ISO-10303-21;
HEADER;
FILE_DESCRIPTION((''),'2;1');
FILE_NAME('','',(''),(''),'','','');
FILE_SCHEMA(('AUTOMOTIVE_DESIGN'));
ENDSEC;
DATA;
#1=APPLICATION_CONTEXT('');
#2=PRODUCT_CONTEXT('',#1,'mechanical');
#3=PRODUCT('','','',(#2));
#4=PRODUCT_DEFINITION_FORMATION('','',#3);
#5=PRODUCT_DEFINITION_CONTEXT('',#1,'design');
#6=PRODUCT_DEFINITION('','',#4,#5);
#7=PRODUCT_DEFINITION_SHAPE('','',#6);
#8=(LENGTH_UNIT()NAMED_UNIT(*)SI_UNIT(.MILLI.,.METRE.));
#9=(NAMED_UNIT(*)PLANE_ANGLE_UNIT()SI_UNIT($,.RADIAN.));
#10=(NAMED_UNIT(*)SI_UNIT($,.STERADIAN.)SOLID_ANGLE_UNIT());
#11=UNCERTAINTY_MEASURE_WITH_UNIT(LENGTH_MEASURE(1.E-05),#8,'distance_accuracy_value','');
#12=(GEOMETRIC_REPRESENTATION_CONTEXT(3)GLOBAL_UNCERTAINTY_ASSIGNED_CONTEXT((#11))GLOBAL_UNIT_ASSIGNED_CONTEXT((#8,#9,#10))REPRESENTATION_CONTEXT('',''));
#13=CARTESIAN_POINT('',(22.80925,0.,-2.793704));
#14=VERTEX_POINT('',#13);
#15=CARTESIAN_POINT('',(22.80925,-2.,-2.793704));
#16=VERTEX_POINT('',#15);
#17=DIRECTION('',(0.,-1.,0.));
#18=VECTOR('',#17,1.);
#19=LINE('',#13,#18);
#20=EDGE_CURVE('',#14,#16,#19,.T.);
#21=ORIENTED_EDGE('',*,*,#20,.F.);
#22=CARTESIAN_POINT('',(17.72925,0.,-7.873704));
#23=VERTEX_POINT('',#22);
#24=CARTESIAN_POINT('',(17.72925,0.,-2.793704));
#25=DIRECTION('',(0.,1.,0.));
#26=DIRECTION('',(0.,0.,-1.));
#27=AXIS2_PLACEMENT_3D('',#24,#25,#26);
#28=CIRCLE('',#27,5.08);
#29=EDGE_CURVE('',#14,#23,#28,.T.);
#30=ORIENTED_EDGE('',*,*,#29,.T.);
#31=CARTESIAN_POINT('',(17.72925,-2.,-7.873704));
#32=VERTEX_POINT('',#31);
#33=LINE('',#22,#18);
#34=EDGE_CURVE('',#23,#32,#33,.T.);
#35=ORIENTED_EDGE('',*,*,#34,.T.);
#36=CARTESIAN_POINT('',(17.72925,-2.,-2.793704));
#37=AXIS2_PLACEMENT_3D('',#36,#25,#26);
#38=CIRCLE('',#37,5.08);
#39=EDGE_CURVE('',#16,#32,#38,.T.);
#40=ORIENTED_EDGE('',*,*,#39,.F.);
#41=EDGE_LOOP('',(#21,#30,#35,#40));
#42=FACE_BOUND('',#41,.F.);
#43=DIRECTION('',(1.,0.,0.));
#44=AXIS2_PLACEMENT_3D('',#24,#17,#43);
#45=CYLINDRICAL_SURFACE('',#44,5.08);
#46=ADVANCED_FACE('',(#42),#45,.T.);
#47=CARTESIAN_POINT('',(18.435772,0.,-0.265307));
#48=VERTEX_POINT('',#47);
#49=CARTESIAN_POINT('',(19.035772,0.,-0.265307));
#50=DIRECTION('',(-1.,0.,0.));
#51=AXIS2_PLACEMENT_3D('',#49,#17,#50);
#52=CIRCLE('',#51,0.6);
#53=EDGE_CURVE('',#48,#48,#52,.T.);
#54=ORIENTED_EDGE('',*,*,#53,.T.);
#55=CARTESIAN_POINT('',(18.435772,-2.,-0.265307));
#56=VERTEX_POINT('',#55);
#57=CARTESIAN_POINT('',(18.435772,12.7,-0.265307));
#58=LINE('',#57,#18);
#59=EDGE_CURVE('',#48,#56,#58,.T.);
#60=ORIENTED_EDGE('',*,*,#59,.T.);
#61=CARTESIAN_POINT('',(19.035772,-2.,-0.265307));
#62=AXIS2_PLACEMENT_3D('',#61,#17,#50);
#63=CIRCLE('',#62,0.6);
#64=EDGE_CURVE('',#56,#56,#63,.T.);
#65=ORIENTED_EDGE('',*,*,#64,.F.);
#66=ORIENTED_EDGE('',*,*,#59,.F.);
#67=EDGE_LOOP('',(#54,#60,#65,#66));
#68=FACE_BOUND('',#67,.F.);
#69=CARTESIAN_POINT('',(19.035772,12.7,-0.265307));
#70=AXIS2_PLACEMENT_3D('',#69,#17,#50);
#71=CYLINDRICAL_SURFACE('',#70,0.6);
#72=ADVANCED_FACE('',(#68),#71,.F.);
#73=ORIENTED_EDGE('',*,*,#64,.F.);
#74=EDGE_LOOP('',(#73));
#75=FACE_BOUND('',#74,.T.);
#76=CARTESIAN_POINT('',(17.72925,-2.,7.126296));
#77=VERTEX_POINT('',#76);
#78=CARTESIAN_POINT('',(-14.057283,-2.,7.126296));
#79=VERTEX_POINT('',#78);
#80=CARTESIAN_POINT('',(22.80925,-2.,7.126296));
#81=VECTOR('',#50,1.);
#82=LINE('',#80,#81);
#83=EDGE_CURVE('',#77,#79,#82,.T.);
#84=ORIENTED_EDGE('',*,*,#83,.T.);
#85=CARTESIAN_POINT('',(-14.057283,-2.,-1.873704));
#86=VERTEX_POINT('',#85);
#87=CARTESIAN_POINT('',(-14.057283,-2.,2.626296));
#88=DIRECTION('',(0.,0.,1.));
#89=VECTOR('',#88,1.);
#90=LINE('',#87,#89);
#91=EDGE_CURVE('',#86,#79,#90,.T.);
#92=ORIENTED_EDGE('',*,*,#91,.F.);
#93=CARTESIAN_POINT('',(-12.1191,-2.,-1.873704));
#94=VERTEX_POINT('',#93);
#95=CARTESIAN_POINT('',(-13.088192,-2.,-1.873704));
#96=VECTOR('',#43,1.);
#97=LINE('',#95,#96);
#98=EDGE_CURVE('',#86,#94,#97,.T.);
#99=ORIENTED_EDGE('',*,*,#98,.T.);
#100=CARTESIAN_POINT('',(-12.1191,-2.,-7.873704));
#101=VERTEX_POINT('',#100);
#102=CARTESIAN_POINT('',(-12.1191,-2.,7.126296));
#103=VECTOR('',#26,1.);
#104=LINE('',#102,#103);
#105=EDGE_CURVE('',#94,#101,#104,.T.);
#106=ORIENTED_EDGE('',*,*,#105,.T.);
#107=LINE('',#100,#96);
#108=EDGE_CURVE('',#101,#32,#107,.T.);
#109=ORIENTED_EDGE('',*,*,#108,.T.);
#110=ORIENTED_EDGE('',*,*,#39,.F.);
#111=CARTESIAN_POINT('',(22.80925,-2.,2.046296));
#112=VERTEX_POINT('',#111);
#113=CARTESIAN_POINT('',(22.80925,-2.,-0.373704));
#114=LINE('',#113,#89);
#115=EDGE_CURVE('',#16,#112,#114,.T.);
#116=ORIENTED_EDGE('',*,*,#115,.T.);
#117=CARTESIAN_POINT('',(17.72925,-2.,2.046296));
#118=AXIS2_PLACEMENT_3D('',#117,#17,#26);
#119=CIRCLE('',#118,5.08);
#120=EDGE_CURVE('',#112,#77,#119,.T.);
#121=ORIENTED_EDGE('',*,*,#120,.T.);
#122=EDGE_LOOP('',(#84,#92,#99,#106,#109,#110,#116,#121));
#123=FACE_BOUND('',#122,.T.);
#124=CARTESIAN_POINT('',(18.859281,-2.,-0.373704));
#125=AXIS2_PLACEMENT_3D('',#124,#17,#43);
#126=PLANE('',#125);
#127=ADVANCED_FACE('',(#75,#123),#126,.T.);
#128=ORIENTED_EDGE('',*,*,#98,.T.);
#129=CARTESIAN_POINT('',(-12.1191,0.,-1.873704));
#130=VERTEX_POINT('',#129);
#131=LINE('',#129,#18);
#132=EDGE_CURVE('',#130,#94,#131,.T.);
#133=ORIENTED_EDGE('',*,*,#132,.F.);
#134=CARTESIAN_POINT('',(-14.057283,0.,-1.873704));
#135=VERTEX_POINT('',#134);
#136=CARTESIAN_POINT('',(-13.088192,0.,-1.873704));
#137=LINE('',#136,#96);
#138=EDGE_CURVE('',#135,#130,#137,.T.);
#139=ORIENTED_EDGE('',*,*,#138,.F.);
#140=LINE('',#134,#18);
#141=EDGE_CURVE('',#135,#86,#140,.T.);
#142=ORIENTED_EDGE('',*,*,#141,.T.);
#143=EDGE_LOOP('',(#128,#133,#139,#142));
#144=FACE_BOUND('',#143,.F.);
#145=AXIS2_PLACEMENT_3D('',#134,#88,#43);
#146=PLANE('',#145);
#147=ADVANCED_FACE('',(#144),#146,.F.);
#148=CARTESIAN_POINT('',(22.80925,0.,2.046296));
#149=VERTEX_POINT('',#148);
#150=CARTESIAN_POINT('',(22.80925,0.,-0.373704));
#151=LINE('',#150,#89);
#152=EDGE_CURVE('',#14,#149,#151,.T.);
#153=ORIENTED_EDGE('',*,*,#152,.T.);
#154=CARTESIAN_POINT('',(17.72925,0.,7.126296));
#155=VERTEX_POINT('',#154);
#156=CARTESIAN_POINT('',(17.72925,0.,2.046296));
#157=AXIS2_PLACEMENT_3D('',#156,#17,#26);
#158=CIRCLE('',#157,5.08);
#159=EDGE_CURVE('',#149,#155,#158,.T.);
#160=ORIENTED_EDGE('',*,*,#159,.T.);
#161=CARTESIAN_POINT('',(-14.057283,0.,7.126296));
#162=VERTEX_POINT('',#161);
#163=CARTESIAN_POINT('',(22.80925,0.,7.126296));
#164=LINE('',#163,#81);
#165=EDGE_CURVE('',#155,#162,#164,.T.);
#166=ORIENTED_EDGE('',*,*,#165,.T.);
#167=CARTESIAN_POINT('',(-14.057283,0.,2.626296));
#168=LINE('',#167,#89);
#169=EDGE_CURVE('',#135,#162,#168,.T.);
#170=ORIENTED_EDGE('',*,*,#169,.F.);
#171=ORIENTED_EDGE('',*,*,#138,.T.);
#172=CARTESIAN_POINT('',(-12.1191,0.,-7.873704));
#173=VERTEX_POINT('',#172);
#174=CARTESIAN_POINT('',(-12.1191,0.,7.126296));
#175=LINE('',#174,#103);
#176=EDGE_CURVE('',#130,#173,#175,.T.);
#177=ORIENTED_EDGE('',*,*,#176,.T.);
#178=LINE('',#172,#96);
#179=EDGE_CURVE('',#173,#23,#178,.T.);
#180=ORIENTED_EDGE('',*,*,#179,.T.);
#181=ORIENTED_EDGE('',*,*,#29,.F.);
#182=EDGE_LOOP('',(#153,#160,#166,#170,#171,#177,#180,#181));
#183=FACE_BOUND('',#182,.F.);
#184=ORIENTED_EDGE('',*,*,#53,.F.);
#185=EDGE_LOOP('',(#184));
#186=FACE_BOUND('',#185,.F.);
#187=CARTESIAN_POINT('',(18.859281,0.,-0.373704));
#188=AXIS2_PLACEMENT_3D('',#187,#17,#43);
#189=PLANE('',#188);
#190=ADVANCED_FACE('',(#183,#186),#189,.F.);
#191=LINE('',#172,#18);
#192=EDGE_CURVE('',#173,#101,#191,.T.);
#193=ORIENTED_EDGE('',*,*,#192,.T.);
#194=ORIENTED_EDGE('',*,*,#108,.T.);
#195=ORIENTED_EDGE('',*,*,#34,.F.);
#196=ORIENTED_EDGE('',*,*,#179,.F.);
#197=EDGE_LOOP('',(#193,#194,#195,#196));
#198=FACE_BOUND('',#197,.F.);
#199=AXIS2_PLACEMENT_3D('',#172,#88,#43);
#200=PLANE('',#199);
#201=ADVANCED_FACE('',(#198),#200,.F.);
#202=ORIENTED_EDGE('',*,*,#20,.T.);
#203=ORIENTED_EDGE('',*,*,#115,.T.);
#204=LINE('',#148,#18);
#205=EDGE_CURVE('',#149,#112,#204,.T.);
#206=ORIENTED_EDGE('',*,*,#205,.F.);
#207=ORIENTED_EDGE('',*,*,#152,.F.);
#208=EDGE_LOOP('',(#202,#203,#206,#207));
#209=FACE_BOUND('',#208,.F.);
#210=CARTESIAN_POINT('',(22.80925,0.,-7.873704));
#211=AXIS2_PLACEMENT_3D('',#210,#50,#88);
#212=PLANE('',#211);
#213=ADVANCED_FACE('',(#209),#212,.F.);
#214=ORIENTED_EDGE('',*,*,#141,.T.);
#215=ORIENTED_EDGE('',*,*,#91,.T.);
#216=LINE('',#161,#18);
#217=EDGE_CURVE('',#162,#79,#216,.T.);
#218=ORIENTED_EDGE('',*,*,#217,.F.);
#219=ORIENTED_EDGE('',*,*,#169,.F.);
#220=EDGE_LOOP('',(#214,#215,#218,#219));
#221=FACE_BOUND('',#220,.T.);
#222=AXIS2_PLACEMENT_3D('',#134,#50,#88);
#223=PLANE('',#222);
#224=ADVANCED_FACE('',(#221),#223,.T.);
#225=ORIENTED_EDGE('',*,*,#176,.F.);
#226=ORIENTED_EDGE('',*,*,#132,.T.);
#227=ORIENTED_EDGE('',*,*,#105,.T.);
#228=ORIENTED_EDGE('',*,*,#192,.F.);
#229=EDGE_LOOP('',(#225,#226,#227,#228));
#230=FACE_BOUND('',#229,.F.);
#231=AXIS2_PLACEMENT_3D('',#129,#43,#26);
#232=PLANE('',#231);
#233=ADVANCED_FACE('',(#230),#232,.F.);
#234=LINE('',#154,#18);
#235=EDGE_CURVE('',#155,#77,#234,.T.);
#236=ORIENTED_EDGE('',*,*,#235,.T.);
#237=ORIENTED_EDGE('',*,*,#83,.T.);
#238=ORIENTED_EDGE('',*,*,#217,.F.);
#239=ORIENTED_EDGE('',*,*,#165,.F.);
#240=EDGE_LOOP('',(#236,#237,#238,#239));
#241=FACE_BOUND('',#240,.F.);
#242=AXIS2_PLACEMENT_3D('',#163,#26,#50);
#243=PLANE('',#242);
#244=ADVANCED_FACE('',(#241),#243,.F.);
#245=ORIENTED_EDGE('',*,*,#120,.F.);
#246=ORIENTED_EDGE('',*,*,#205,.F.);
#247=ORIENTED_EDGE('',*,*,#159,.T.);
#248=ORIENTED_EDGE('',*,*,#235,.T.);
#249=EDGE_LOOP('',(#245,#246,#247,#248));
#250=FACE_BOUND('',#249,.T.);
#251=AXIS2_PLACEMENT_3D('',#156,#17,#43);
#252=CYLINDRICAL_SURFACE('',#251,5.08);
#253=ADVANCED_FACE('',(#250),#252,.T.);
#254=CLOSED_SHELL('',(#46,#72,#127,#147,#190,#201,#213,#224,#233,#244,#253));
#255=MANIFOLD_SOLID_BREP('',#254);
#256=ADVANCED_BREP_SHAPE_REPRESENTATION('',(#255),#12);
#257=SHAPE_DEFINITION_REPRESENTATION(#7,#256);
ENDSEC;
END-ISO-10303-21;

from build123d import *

# Parameters (mm, degrees)
F0_W     = 7.8999367909
F0_H     = 15
F0_W_2   = 1.9381828606
F0_H_2   = 9
F1_DEPTH = 2
F2_R     = 5.08
F3_D     = 1.2
F3_DEPTH = 12.7
F3_TIP   = 0.3605163714


with BuildPart() as f1:
    # F0 (on Front) → F1 (new body)
    with BuildSketch(Plane.XZ):
        with Locations((18.8592814558, -0.3737040295)):
            Rectangle(F0_W, F0_H)
        Polygon((-12.1191004291, -7.8737040295), (14.9093130603, -7.8737040295), (14.9093130603, 7.1262959705), (-12.1191004291, 7.1262959705), (-12.1191004291, -1.8737040295), align=None)
        with Locations((-13.0881918594, 2.6262959705)):
            Rectangle(F0_W_2, F0_H_2)
    extrude(amount=F1_DEPTH)

    # F2
    f2_edges = [f1.edges().sort_by_distance(p)[0] for p in [
        (22.80925, -1, -7.873704),
        (22.80925, -1, 7.126296),
    ]]
    fillet(f2_edges, radius=F2_R)

    # F3
    with Locations(Plane(origin=(0, 0, 0), x_dir=(1, 0, 0), z_dir=(0, 1, 0))):
        with Locations((19.0357716603, 0.2653072295)):
            Hole(F3_D / 2, depth=F3_DEPTH)
            with Locations((0, 0, -(F3_DEPTH + F3_TIP / 2))):  # 118° drill point
                Cone(0, F3_D / 2, F3_TIP, mode=Mode.SUBTRACT)


solid = f1.part
